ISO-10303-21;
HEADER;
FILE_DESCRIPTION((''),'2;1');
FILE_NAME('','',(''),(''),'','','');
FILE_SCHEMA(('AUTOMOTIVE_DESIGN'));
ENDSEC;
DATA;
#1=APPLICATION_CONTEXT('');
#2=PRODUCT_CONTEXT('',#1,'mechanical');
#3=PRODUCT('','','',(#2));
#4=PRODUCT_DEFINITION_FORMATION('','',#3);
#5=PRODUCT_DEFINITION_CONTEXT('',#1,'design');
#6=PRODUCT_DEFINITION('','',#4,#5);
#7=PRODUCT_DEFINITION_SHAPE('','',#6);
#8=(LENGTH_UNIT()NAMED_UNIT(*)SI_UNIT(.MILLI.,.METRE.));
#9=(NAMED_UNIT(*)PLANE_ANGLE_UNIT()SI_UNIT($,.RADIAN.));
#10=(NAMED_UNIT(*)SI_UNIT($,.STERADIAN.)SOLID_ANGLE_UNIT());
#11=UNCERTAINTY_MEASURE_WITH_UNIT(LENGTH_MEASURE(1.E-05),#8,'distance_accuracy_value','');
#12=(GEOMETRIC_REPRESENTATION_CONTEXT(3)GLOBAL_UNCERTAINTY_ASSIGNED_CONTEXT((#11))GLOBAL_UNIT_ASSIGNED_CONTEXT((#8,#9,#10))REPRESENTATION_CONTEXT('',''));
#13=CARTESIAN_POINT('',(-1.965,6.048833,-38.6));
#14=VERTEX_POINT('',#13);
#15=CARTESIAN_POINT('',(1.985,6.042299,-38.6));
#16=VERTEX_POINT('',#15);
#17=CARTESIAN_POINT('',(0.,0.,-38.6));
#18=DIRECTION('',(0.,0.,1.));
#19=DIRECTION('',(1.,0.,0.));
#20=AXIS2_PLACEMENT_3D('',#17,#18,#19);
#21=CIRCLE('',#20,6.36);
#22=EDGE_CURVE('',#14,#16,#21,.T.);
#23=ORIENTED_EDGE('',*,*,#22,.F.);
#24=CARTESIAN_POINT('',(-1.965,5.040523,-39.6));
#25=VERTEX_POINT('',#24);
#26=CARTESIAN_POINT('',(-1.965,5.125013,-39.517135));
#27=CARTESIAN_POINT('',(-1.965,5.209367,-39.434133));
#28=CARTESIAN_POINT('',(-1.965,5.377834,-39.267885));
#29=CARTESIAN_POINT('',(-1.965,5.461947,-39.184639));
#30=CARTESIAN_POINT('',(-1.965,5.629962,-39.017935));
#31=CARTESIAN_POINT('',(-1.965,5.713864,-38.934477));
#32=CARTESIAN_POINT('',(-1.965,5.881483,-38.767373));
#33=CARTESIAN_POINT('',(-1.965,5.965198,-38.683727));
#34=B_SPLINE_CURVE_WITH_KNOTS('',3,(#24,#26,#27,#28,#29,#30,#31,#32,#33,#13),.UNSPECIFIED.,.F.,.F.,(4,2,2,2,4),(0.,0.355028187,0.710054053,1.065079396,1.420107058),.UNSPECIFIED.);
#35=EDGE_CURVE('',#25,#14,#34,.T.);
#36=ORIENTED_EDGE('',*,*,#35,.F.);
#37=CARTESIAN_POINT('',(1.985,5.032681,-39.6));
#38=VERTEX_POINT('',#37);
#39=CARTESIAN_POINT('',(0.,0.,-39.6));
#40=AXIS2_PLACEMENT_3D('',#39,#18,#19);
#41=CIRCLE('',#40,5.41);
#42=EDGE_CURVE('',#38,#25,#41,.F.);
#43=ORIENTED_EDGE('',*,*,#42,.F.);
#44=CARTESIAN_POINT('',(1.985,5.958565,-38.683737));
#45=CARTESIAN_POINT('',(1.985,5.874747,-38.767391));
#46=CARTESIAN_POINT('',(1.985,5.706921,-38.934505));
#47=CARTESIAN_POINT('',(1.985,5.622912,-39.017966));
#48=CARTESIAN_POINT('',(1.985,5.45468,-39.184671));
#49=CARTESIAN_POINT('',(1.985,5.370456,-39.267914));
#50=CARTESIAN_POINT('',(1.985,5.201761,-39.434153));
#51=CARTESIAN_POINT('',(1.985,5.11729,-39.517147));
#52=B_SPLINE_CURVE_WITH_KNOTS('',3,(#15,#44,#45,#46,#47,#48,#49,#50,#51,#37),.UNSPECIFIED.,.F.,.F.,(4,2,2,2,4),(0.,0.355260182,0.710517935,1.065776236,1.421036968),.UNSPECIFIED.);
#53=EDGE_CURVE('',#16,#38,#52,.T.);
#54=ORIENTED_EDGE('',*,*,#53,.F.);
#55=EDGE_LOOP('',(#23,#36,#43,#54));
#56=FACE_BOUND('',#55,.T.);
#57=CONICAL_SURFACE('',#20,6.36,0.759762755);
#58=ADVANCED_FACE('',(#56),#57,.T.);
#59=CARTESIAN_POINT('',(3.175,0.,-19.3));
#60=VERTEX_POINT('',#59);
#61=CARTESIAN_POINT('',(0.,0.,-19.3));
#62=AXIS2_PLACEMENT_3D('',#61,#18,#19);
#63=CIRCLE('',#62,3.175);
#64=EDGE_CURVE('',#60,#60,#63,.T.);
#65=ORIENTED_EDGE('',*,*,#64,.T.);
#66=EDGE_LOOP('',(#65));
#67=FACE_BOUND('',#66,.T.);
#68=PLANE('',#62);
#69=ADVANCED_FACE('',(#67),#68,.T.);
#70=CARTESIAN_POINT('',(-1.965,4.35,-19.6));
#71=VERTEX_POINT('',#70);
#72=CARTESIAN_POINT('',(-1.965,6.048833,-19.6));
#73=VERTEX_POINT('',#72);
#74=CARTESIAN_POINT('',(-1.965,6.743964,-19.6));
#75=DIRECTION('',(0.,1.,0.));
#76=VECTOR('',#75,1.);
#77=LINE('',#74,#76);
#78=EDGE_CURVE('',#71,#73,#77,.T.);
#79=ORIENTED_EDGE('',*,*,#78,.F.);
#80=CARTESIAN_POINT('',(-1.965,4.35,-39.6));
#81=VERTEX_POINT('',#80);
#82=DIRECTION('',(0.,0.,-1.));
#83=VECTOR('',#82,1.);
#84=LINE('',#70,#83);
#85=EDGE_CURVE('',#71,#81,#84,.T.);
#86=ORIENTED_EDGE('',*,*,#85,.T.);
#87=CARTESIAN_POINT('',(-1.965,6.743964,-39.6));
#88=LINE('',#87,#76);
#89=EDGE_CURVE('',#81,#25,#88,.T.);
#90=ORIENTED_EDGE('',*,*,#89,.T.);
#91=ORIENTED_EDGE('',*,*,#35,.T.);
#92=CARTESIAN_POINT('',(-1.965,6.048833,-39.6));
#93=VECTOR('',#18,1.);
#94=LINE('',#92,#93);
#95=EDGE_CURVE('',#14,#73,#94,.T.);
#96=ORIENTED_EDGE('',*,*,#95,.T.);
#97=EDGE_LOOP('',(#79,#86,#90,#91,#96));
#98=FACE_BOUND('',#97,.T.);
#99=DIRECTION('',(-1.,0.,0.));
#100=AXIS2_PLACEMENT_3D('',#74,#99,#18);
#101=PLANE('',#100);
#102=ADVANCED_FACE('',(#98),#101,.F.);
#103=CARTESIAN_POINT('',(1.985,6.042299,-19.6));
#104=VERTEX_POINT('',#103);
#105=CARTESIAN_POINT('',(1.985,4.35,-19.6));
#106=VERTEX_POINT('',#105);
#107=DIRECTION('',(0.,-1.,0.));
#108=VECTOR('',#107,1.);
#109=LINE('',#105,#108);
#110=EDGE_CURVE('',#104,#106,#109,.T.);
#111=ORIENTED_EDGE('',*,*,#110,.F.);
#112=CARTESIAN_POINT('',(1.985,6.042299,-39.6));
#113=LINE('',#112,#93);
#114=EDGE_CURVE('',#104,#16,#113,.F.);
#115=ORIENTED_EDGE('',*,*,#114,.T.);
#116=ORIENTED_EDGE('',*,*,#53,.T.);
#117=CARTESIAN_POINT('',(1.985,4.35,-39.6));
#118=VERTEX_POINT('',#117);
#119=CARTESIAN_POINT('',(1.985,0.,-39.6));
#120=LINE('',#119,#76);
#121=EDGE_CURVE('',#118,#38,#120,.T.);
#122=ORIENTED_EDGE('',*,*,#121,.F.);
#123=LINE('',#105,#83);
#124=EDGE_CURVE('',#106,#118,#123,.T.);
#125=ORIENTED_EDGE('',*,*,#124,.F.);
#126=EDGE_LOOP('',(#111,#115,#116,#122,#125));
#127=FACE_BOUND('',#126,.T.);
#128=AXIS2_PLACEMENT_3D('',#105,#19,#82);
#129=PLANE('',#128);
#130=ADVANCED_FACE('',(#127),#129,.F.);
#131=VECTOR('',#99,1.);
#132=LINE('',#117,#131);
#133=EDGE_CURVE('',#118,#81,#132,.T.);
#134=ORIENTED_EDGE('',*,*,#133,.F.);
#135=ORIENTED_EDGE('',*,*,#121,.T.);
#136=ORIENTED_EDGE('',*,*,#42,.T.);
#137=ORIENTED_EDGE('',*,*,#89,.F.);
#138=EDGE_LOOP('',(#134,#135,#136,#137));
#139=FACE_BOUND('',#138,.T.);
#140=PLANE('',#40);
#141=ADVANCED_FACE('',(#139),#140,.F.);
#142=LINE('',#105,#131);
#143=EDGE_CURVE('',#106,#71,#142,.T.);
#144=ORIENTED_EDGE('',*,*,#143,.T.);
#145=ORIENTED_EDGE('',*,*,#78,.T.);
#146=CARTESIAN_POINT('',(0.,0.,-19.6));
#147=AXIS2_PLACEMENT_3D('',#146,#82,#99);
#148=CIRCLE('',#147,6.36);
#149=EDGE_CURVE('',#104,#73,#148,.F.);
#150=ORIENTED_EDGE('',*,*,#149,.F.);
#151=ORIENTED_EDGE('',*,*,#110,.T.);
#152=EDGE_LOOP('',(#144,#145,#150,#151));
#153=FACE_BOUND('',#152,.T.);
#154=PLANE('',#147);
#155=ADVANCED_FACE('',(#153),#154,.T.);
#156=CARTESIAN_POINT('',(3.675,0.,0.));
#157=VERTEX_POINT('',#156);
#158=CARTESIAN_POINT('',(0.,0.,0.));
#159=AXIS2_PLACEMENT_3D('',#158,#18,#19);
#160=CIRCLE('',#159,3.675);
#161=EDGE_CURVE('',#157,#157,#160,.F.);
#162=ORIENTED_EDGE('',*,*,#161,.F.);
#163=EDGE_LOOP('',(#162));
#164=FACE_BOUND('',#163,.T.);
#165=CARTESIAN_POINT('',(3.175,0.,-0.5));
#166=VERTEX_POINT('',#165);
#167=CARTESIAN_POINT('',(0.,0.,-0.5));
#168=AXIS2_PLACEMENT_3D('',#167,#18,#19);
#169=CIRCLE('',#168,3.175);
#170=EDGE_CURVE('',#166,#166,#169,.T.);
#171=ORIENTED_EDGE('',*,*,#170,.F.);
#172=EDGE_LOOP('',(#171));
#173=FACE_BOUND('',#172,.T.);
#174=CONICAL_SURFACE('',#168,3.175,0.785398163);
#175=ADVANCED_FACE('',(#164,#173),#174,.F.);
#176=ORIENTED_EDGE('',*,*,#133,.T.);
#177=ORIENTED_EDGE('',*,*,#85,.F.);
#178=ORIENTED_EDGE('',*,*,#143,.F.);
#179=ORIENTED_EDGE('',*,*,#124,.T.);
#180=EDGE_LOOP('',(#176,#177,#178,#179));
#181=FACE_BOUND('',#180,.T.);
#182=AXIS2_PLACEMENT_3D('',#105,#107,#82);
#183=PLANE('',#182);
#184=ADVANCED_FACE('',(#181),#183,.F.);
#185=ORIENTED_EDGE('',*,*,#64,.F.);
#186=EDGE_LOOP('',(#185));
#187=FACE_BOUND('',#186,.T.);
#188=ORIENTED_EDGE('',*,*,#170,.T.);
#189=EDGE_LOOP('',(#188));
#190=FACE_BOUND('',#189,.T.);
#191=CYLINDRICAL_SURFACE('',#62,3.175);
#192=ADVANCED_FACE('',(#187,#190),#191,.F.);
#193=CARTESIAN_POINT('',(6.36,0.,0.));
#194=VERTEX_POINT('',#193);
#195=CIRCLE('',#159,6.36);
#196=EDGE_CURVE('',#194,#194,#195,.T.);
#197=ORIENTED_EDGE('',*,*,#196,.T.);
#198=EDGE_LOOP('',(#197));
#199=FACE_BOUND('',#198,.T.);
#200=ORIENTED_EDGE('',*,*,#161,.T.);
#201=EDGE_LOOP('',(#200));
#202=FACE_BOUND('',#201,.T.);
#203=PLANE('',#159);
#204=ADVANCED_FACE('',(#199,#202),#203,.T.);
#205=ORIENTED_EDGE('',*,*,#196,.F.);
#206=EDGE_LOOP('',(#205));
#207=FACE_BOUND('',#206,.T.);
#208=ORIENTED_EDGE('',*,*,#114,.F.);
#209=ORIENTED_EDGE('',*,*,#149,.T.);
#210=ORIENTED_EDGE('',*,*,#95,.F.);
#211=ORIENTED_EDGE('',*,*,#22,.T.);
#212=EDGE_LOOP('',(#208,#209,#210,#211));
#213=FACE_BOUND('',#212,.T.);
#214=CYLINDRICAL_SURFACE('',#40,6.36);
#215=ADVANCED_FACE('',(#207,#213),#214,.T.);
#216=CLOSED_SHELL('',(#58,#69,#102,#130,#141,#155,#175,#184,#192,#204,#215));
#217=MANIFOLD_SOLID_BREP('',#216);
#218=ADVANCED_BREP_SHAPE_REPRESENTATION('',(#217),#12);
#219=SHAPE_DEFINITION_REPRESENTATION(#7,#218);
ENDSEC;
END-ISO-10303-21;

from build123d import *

# Parameters (mm, degrees)
CROQUIS3_R              = 6.36
SALIENTE_EXTRUIR2_DEPTH = 39.6
CROQUIS4_R              = 3.175
CORTAR_EXTRUIR1_DEPTH   = 19.3
CROQUIS6_W              = 3.95
CROQUIS6_H              = 2.393963958
CORTAR_EXTRUIR3_DEPTH   = 20
CHAFL_N1_SIZE           = 0.95
CHAFL_N1_SIZE2          = 1
CHAFL_N2_SIZE           = 0.5


with BuildPart() as part:
    # Croquis3 → Saliente-Extruir2 (new body)
    with BuildSketch(Plane.XY):
        Circle(CROQUIS3_R)
    extrude(amount=-SALIENTE_EXTRUIR2_DEPTH)

    # Croquis4 → Cortar-Extruir1 (cut)
    with BuildSketch(Plane.XY):
        Circle(CROQUIS4_R)
    extrude(amount=-CORTAR_EXTRUIR1_DEPTH, mode=Mode.SUBTRACT)

    # Croquis6 → Cortar-Extruir3 (cut)
    with BuildSketch(Plane(origin=(0, 0, -39.6), x_dir=(-1, 0, 0), z_dir=(0, 0, -1))):
        with Locations((-0.01, 5.546981979)):
            Rectangle(CROQUIS6_W, CROQUIS6_H)
    extrude(amount=-CORTAR_EXTRUIR3_DEPTH, mode=Mode.SUBTRACT)

    # Chaflán1
    chafl_n1_edges = [part.edges().sort_by_distance(p)[0] for p in [
        (-3.738462251, -5.145240519, -39.6),
    ]]
    chafl_n1_side = [part.faces().sort_by_distance(p)[0] for p in [
        (-0.000560241, -0.334162106, -39.6),
    ]]
    chamfer(chafl_n1_edges, length=CHAFL_N1_SIZE, length2=CHAFL_N1_SIZE2, reference=chafl_n1_side[0])

    # Chaflán2
    chafl_n2_edges = [part.edges().sort_by_distance(p)[0] for p in [
        (-3.175, 0, 0),
    ]]
    chamfer(chafl_n2_edges, length=CHAFL_N2_SIZE)


solid = part.part
